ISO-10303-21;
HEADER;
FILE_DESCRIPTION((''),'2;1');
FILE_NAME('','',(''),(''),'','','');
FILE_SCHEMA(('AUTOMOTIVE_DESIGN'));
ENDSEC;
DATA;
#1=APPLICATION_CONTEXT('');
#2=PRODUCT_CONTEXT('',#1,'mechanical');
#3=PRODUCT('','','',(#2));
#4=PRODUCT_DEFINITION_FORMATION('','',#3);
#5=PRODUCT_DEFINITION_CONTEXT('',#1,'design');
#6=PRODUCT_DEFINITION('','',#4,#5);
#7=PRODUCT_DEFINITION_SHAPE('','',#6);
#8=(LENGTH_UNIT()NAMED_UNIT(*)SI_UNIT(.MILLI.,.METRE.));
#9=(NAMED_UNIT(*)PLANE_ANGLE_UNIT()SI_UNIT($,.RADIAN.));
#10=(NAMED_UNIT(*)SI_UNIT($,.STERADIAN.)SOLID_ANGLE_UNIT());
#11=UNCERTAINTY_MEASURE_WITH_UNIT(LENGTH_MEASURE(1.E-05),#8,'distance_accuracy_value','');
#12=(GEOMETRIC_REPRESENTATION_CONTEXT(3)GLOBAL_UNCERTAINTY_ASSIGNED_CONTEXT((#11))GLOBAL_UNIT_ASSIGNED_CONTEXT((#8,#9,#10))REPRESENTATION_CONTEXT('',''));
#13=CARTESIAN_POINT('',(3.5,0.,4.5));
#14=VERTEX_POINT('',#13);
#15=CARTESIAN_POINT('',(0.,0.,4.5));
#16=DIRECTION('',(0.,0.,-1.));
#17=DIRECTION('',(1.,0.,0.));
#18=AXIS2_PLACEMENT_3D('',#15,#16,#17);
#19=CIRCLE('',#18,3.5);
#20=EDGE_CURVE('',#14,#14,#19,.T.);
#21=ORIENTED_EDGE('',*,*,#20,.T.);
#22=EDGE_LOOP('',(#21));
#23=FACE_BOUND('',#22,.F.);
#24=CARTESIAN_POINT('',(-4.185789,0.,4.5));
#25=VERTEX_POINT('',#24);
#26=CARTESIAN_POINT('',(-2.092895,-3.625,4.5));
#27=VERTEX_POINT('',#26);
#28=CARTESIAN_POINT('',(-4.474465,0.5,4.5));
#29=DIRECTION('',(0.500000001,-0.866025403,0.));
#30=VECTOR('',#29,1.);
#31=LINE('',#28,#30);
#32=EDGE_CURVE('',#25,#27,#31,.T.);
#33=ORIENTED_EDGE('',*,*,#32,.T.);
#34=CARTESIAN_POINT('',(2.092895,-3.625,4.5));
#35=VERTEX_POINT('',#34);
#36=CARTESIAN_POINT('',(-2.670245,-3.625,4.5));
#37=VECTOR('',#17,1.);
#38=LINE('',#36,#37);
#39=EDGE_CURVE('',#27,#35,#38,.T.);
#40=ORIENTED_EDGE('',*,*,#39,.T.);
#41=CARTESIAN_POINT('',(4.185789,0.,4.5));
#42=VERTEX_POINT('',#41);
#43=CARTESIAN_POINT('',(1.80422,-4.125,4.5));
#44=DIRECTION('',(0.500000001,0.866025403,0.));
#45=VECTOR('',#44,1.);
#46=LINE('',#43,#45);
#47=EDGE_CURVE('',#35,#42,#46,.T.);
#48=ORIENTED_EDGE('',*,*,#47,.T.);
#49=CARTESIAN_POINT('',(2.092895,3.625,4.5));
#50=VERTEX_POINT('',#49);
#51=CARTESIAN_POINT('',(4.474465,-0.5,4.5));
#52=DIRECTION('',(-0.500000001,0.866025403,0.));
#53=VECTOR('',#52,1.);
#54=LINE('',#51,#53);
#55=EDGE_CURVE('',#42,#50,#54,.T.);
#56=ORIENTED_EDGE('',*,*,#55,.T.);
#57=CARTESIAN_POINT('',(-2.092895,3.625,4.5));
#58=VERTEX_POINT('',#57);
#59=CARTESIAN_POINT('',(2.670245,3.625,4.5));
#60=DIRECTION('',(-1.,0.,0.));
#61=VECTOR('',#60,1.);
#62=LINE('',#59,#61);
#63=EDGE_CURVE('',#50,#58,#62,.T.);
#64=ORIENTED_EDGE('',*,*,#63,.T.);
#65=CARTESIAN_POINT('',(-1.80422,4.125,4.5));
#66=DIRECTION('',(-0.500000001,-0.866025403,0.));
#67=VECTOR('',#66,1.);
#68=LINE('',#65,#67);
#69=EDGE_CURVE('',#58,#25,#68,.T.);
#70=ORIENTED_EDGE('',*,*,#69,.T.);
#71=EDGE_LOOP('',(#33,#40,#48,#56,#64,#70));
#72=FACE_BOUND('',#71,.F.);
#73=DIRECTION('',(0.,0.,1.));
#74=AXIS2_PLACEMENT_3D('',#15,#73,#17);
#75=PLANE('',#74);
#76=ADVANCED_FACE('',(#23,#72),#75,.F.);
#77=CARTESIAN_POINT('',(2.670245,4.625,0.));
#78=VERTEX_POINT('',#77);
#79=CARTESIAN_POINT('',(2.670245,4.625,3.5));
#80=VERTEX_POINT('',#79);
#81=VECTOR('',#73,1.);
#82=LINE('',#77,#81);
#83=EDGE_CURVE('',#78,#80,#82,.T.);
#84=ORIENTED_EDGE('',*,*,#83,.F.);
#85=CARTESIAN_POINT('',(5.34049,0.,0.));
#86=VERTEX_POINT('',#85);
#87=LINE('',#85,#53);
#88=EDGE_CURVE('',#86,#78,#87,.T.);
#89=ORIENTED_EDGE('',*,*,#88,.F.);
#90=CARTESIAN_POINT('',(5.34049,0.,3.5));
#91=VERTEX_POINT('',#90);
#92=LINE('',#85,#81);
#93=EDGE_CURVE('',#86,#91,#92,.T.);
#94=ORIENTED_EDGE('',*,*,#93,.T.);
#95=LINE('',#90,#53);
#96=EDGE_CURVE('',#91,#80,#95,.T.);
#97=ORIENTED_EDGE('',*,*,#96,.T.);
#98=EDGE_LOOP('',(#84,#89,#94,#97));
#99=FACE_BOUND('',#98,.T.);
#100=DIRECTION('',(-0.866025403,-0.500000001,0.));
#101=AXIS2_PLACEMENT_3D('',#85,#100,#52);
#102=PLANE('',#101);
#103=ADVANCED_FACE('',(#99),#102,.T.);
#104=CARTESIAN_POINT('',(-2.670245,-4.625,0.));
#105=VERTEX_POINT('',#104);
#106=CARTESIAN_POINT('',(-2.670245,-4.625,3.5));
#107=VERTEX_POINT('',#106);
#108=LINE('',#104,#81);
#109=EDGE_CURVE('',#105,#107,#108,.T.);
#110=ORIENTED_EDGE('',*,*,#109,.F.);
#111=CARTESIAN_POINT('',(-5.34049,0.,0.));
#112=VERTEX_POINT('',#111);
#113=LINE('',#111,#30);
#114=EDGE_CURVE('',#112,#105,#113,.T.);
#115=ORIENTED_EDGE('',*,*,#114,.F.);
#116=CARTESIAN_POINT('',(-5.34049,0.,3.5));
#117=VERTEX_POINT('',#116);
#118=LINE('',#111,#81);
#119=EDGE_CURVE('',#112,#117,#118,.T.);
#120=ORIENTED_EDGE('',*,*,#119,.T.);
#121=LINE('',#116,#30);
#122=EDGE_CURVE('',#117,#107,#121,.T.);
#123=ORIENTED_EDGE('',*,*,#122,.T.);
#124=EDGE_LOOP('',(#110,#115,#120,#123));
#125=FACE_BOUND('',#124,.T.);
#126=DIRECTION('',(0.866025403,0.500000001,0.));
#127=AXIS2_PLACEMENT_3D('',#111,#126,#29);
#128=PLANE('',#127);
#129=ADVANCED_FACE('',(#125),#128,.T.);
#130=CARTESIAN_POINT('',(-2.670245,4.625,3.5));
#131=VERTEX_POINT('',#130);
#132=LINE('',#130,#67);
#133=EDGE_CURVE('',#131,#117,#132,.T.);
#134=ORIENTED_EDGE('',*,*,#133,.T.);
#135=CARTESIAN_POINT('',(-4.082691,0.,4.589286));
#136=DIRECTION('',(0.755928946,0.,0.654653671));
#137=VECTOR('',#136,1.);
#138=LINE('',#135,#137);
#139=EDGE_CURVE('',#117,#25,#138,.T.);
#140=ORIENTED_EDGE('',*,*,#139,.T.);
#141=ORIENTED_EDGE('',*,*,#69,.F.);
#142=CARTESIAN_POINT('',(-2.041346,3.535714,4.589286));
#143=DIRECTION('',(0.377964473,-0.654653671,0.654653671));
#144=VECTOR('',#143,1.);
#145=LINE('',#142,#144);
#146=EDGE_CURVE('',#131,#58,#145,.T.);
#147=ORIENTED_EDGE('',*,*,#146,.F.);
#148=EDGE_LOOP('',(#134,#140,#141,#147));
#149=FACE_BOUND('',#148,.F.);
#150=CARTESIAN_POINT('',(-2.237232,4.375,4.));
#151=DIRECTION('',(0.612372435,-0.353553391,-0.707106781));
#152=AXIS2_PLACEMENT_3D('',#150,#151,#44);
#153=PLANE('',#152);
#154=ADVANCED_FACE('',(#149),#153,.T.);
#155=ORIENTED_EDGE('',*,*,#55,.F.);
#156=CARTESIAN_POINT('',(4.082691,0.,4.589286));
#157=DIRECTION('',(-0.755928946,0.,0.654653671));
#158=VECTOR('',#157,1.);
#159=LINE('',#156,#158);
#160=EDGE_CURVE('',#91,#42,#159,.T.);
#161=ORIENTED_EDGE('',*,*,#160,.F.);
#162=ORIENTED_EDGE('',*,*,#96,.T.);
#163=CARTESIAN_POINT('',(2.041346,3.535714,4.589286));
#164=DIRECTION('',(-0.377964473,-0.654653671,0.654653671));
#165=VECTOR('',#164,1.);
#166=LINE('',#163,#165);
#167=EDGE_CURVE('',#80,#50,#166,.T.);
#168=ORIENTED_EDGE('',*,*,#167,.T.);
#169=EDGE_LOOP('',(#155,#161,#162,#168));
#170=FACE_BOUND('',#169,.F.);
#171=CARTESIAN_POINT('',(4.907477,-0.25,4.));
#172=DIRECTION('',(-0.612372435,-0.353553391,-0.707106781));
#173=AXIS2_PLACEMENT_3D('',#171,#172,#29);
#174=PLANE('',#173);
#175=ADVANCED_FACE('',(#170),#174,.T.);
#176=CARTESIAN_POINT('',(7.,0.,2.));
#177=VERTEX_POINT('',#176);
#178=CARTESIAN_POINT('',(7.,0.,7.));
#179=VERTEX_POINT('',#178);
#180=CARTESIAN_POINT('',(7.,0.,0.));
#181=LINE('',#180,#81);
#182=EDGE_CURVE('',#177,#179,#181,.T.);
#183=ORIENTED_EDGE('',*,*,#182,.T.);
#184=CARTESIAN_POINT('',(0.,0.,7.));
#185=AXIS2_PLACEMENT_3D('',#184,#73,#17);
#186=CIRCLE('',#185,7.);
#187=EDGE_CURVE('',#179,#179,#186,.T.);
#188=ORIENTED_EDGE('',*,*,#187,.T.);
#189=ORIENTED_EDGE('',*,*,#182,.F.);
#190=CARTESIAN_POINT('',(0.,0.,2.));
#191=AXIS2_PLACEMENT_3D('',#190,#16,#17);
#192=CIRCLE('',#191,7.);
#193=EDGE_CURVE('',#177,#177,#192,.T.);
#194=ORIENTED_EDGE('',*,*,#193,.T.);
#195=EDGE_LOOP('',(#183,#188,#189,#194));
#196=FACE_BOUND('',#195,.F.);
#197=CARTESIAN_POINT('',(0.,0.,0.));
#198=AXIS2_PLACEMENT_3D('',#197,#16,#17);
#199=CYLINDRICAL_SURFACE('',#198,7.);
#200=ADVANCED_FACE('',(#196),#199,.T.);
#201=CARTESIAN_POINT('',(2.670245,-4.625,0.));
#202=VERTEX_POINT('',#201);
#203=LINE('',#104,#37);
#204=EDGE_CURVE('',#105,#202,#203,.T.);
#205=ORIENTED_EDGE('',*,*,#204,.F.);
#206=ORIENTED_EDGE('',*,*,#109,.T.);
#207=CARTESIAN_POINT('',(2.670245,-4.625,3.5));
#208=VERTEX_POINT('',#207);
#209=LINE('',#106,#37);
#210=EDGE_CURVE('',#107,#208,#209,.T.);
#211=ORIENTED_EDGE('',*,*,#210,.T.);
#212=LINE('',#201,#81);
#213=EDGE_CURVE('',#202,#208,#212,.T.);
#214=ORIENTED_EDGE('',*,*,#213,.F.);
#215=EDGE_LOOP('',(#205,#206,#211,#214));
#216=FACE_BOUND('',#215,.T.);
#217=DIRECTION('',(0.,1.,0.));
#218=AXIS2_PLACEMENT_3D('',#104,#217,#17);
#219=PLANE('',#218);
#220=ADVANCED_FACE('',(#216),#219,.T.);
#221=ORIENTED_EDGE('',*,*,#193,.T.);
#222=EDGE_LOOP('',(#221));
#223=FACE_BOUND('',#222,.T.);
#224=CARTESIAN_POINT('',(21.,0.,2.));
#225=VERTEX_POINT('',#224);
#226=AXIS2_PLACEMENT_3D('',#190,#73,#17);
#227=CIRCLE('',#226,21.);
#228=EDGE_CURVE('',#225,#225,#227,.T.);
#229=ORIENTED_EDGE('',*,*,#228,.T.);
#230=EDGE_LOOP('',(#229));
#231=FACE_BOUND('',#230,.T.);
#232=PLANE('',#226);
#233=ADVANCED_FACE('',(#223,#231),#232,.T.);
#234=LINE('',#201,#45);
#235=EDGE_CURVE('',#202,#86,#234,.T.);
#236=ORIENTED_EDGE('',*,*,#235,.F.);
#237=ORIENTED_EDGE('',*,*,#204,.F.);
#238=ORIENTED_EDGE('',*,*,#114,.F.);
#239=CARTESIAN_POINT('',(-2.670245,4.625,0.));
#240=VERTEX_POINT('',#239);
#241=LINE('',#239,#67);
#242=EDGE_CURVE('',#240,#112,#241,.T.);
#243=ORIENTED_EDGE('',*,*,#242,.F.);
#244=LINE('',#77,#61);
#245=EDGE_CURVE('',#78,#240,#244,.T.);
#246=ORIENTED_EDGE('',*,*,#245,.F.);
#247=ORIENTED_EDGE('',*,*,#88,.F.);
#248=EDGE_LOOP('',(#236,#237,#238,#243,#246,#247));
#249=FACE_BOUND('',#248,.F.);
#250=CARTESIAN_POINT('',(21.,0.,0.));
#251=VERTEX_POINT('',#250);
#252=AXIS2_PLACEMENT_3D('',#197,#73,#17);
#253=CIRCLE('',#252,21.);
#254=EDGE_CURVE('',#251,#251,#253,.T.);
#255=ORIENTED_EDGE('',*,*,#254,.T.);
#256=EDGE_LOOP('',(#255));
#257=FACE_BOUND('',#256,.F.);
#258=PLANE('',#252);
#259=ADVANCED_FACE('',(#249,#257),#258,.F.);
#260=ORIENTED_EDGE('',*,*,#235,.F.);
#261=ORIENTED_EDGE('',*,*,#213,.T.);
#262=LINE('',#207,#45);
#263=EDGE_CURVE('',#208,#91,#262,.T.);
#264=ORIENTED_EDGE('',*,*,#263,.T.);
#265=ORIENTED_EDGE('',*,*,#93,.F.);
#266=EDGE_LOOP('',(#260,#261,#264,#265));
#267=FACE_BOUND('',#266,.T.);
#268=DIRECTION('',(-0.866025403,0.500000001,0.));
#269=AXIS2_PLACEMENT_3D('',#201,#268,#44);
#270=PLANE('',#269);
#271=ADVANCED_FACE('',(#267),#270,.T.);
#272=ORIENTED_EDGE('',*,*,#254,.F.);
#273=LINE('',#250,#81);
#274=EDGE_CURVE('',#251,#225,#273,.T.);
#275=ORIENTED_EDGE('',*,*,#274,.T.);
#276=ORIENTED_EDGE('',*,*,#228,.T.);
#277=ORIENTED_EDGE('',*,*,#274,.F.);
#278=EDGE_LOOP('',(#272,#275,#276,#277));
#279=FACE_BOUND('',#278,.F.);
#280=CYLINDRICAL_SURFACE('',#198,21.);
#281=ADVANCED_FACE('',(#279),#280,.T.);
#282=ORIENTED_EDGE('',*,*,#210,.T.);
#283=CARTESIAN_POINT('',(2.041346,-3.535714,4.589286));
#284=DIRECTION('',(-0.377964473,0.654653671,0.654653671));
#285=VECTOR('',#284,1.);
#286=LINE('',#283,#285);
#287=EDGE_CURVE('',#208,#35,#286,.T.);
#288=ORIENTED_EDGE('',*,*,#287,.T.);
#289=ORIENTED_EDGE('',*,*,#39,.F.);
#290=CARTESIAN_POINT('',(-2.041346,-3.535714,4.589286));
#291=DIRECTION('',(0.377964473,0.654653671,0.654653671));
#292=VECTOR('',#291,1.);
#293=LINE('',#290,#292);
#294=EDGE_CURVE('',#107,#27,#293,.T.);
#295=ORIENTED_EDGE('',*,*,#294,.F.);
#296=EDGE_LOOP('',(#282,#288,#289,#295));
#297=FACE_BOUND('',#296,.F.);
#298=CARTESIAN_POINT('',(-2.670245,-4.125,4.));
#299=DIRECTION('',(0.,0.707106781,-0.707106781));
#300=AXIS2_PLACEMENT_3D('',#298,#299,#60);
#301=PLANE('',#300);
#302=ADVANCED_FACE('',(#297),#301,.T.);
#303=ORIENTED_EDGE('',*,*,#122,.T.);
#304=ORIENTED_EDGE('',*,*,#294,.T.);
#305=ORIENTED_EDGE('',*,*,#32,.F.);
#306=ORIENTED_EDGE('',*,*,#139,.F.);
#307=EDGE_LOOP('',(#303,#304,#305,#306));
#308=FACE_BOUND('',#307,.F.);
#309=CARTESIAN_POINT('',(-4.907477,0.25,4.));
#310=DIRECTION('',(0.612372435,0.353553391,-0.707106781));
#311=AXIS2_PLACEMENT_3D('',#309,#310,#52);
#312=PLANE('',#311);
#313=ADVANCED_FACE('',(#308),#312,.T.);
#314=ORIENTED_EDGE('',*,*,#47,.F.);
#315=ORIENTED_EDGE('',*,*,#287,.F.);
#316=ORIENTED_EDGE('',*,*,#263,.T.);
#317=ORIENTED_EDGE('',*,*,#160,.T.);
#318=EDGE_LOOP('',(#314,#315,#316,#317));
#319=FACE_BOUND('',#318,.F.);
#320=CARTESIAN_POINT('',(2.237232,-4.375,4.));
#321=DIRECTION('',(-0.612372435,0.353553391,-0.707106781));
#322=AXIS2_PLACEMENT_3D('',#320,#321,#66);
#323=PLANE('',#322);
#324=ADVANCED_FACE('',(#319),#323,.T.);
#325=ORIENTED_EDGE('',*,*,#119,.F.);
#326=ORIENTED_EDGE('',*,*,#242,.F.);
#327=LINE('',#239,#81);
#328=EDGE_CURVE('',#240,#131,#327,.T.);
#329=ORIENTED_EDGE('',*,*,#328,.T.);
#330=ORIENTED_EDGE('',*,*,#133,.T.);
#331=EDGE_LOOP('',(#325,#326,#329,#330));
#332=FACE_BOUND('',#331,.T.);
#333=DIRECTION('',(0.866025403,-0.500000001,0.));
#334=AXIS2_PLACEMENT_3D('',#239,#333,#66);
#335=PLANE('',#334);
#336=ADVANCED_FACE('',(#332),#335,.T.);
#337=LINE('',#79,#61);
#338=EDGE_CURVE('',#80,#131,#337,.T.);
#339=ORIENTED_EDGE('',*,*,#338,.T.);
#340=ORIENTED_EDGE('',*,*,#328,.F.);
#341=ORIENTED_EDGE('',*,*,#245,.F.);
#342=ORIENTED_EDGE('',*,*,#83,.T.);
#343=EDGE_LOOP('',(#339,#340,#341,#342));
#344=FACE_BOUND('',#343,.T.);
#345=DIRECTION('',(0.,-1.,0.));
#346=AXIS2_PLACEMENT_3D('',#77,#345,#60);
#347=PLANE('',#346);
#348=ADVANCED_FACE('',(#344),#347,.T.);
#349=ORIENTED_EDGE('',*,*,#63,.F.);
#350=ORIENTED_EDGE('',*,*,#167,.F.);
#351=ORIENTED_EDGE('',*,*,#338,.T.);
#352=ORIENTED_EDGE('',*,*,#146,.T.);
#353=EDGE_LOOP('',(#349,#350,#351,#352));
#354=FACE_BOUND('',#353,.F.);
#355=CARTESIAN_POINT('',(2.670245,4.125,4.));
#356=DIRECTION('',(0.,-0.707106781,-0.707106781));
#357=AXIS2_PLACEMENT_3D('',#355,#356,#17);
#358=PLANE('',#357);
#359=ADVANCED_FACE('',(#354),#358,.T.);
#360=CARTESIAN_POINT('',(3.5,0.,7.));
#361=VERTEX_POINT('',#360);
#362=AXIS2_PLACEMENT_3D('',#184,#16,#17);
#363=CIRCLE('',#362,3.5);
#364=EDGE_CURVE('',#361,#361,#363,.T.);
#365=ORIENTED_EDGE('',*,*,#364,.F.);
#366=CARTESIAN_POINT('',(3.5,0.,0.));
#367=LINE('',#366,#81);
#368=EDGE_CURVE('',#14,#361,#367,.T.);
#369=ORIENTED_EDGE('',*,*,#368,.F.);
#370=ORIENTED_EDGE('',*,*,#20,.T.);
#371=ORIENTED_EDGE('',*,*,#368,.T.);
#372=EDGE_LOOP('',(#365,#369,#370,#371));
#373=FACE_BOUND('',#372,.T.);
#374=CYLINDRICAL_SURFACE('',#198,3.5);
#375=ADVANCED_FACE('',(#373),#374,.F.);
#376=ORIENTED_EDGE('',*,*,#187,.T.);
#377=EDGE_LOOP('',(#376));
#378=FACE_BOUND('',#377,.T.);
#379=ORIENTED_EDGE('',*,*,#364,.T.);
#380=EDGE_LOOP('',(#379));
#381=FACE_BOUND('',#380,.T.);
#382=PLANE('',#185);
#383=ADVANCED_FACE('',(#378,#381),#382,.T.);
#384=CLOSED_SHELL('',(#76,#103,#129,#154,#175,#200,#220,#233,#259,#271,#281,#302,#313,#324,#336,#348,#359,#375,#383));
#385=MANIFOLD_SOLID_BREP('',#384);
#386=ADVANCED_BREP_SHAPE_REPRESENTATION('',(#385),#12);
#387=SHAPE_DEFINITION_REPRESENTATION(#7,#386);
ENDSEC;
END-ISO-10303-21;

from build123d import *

# Parameters (mm, degrees)
SKETCH_R     = 21
PAD_DEPTH    = 2
SKETCH001_R  = 7
PAD001_DEPTH = 7
SKETCH002_R  = 3.5
HOLE_DEPTH   = 7.001
POCKET_DEPTH = 4.5
CHAMFER_SIZE = 1


with BuildPart() as part:
    # Sketch → Pad (new body)
    with BuildSketch(Plane.XY):
        Circle(SKETCH_R)
    extrude(amount=PAD_DEPTH)

    # Sketch001 → Pad001 (join)
    with BuildSketch(Plane.XY):
        Circle(SKETCH001_R)
    extrude(amount=PAD001_DEPTH)

    # Sketch002 → Hole (cut, through all)
    with BuildSketch(Plane.XY):
        Circle(SKETCH002_R)
    extrude(amount=HOLE_DEPTH, mode=Mode.SUBTRACT)

    # Sketch003 → Pocket (cut)
    with BuildSketch(Plane.XY):
        Polygon((2.670245, -4.625), (5.34049, 0), (2.670245, 4.625), (-2.670245, 4.625), (-5.34049, 0), (-2.670245, -4.625), align=None)
    extrude(amount=POCKET_DEPTH, mode=Mode.SUBTRACT)

    # Chamfer
    chamfer_edges = [part.edges().sort_by_distance(p)[0] for p in [
        (-4.005367, -2.3125, 4.5),
        (0, -4.625, 4.5),
        (4.005367, -2.3125, 4.5),
        (4.005367, 2.3125, 4.5),
        (0, 4.625, 4.5),
        (-4.005367, 2.3125, 4.5),
    ]]
    chamfer(chamfer_edges, length=CHAMFER_SIZE)


solid = part.part
